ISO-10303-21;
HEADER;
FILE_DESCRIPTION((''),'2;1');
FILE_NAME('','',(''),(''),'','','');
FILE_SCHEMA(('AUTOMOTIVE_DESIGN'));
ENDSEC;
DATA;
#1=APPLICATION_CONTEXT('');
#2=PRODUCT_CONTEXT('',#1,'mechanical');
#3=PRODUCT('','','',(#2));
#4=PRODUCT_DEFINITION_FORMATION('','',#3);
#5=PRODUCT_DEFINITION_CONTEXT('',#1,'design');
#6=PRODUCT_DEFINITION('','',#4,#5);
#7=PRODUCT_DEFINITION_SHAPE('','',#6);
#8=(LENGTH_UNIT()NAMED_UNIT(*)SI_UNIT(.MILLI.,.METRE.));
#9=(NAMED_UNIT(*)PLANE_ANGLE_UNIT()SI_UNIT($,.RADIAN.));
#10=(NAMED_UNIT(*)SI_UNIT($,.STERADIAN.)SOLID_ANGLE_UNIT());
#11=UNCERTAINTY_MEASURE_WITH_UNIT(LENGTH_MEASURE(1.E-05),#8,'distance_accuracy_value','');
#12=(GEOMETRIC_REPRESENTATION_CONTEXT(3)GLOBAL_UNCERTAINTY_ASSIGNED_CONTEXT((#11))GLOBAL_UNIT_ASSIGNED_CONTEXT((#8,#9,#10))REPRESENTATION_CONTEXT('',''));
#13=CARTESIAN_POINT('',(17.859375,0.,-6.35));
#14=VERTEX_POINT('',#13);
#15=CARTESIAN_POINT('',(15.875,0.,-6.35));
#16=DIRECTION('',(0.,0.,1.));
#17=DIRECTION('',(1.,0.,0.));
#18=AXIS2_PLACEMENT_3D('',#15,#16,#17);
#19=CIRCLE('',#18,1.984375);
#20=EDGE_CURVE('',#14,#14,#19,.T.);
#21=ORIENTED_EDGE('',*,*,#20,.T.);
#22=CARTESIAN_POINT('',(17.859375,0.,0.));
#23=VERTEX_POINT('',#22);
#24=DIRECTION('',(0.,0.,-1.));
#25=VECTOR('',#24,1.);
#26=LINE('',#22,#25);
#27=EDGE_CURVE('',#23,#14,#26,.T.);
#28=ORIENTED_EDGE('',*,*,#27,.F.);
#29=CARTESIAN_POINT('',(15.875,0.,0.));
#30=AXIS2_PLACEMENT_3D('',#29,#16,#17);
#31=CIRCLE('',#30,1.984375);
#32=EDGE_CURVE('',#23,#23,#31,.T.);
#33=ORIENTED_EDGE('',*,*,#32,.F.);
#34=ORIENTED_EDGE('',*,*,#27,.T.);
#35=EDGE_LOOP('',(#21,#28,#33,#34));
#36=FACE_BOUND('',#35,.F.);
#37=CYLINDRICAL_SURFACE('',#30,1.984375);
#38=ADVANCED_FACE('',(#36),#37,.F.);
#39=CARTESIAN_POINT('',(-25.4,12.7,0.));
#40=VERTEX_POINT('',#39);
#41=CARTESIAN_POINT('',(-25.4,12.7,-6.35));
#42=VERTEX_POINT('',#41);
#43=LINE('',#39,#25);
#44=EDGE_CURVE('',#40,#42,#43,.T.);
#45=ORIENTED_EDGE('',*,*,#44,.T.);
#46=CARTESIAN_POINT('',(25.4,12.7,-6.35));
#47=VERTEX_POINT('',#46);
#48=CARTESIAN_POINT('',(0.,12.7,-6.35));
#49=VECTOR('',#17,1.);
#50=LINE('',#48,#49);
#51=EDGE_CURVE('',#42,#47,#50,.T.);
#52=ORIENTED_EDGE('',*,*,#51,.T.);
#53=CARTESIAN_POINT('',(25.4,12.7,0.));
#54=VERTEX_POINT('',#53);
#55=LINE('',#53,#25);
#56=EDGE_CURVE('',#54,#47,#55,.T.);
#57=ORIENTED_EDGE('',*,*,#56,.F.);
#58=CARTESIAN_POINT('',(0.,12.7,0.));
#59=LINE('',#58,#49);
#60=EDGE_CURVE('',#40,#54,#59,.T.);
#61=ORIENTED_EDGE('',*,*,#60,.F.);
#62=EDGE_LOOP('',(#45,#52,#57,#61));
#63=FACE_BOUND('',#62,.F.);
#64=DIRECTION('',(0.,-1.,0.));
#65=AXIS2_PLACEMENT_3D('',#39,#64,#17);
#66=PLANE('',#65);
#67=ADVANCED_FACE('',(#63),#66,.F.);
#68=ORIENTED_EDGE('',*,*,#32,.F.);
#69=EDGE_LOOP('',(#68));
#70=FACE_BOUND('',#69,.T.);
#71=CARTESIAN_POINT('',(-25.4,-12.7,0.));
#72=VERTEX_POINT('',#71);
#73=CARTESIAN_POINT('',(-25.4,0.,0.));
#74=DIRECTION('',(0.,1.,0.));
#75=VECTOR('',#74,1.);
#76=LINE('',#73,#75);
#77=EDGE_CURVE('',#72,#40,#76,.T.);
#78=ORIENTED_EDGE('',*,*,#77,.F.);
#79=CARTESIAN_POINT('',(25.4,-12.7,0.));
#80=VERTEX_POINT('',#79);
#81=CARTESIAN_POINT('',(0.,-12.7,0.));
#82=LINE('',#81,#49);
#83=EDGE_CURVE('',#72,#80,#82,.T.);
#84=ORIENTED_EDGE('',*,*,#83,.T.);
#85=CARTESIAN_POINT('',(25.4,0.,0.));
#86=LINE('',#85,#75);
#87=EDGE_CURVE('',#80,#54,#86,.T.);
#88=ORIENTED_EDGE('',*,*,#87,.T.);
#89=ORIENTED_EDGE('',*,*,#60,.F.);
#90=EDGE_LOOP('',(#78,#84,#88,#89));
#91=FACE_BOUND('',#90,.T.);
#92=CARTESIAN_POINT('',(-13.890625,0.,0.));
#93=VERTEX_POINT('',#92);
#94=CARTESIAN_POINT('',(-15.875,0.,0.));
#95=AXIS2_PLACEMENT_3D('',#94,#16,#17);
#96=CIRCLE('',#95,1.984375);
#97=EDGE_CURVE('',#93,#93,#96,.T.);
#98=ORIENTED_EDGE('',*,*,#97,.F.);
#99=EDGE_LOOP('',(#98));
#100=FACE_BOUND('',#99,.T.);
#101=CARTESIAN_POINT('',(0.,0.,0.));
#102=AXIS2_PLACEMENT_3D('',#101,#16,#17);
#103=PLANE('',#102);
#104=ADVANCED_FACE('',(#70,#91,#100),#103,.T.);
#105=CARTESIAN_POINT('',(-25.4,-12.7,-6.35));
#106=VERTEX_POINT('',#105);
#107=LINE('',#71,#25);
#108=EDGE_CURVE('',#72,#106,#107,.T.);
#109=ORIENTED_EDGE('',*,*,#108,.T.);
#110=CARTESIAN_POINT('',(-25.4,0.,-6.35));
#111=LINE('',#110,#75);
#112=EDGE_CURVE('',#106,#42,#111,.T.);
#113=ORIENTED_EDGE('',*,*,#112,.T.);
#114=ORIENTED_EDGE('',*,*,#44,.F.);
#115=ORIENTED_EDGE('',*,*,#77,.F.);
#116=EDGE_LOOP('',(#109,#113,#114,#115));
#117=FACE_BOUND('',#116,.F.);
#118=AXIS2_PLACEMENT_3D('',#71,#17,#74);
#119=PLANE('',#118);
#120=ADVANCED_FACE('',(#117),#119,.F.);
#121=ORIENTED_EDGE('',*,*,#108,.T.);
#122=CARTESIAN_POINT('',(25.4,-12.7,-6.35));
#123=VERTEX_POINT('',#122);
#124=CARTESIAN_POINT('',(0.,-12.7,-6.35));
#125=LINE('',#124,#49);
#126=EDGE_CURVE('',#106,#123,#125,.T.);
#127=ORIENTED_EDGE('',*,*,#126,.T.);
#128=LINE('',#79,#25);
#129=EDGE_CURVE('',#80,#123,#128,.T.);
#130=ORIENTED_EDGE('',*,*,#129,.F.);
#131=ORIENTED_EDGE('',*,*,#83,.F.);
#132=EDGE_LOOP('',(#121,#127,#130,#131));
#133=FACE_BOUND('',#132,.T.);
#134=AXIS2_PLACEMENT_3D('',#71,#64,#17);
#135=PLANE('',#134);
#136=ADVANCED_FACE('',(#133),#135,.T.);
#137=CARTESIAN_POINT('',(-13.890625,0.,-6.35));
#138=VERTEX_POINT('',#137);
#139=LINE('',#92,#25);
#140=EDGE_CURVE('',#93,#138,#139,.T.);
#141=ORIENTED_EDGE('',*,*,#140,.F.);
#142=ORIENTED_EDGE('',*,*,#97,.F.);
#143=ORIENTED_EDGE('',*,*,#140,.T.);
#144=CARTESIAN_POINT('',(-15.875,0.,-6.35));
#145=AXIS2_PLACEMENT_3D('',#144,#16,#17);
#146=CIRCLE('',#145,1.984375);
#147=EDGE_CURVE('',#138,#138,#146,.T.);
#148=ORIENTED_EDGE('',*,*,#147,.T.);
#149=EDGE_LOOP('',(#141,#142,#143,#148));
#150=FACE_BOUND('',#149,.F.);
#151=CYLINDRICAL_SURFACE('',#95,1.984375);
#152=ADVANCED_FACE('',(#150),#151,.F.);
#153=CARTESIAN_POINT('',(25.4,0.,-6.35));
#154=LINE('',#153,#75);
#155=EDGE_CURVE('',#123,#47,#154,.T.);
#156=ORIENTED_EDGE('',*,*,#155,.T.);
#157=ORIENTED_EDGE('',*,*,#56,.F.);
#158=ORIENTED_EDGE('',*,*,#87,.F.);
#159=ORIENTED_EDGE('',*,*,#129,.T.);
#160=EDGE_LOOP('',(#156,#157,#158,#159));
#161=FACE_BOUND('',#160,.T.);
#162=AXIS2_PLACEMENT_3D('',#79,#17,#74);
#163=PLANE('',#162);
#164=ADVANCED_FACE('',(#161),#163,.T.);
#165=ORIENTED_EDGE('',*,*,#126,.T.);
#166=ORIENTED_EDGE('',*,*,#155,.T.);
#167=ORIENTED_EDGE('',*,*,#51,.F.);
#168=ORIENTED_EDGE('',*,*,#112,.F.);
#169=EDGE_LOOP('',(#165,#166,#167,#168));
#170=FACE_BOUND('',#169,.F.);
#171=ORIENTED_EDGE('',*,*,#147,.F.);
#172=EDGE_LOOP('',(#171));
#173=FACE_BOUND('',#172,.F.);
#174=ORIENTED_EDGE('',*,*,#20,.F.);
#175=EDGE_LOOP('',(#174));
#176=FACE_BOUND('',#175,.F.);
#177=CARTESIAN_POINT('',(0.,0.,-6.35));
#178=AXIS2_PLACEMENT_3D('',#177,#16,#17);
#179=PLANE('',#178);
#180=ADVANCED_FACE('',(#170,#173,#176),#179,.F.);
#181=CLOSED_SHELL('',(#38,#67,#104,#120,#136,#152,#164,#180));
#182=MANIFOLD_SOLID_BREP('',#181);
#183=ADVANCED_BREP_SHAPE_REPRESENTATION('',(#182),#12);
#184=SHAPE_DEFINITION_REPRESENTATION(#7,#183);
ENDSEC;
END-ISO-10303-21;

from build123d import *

# Parameters (mm, degrees)
F0_W     = 50.8
F0_H     = 25.4
F1_DEPTH = 6.35
F2_R     = 1.984375
F3_DEPTH = 6.351


with BuildPart() as f1:
    # F0 (on Top) → F1 (new body)
    with BuildSketch(Plane.XY):
        Rectangle(F0_W, F0_H)
    extrude(amount=-F1_DEPTH)

    # F2 (on face) → F3 (cut, through all)
    with BuildSketch(Plane.XY):
        with Locations((-15.875, 0)):
            Circle(F2_R)
        with Locations((15.875, 0)):
            Circle(F2_R)
    extrude(amount=-F3_DEPTH, mode=Mode.SUBTRACT)


solid = f1.part
